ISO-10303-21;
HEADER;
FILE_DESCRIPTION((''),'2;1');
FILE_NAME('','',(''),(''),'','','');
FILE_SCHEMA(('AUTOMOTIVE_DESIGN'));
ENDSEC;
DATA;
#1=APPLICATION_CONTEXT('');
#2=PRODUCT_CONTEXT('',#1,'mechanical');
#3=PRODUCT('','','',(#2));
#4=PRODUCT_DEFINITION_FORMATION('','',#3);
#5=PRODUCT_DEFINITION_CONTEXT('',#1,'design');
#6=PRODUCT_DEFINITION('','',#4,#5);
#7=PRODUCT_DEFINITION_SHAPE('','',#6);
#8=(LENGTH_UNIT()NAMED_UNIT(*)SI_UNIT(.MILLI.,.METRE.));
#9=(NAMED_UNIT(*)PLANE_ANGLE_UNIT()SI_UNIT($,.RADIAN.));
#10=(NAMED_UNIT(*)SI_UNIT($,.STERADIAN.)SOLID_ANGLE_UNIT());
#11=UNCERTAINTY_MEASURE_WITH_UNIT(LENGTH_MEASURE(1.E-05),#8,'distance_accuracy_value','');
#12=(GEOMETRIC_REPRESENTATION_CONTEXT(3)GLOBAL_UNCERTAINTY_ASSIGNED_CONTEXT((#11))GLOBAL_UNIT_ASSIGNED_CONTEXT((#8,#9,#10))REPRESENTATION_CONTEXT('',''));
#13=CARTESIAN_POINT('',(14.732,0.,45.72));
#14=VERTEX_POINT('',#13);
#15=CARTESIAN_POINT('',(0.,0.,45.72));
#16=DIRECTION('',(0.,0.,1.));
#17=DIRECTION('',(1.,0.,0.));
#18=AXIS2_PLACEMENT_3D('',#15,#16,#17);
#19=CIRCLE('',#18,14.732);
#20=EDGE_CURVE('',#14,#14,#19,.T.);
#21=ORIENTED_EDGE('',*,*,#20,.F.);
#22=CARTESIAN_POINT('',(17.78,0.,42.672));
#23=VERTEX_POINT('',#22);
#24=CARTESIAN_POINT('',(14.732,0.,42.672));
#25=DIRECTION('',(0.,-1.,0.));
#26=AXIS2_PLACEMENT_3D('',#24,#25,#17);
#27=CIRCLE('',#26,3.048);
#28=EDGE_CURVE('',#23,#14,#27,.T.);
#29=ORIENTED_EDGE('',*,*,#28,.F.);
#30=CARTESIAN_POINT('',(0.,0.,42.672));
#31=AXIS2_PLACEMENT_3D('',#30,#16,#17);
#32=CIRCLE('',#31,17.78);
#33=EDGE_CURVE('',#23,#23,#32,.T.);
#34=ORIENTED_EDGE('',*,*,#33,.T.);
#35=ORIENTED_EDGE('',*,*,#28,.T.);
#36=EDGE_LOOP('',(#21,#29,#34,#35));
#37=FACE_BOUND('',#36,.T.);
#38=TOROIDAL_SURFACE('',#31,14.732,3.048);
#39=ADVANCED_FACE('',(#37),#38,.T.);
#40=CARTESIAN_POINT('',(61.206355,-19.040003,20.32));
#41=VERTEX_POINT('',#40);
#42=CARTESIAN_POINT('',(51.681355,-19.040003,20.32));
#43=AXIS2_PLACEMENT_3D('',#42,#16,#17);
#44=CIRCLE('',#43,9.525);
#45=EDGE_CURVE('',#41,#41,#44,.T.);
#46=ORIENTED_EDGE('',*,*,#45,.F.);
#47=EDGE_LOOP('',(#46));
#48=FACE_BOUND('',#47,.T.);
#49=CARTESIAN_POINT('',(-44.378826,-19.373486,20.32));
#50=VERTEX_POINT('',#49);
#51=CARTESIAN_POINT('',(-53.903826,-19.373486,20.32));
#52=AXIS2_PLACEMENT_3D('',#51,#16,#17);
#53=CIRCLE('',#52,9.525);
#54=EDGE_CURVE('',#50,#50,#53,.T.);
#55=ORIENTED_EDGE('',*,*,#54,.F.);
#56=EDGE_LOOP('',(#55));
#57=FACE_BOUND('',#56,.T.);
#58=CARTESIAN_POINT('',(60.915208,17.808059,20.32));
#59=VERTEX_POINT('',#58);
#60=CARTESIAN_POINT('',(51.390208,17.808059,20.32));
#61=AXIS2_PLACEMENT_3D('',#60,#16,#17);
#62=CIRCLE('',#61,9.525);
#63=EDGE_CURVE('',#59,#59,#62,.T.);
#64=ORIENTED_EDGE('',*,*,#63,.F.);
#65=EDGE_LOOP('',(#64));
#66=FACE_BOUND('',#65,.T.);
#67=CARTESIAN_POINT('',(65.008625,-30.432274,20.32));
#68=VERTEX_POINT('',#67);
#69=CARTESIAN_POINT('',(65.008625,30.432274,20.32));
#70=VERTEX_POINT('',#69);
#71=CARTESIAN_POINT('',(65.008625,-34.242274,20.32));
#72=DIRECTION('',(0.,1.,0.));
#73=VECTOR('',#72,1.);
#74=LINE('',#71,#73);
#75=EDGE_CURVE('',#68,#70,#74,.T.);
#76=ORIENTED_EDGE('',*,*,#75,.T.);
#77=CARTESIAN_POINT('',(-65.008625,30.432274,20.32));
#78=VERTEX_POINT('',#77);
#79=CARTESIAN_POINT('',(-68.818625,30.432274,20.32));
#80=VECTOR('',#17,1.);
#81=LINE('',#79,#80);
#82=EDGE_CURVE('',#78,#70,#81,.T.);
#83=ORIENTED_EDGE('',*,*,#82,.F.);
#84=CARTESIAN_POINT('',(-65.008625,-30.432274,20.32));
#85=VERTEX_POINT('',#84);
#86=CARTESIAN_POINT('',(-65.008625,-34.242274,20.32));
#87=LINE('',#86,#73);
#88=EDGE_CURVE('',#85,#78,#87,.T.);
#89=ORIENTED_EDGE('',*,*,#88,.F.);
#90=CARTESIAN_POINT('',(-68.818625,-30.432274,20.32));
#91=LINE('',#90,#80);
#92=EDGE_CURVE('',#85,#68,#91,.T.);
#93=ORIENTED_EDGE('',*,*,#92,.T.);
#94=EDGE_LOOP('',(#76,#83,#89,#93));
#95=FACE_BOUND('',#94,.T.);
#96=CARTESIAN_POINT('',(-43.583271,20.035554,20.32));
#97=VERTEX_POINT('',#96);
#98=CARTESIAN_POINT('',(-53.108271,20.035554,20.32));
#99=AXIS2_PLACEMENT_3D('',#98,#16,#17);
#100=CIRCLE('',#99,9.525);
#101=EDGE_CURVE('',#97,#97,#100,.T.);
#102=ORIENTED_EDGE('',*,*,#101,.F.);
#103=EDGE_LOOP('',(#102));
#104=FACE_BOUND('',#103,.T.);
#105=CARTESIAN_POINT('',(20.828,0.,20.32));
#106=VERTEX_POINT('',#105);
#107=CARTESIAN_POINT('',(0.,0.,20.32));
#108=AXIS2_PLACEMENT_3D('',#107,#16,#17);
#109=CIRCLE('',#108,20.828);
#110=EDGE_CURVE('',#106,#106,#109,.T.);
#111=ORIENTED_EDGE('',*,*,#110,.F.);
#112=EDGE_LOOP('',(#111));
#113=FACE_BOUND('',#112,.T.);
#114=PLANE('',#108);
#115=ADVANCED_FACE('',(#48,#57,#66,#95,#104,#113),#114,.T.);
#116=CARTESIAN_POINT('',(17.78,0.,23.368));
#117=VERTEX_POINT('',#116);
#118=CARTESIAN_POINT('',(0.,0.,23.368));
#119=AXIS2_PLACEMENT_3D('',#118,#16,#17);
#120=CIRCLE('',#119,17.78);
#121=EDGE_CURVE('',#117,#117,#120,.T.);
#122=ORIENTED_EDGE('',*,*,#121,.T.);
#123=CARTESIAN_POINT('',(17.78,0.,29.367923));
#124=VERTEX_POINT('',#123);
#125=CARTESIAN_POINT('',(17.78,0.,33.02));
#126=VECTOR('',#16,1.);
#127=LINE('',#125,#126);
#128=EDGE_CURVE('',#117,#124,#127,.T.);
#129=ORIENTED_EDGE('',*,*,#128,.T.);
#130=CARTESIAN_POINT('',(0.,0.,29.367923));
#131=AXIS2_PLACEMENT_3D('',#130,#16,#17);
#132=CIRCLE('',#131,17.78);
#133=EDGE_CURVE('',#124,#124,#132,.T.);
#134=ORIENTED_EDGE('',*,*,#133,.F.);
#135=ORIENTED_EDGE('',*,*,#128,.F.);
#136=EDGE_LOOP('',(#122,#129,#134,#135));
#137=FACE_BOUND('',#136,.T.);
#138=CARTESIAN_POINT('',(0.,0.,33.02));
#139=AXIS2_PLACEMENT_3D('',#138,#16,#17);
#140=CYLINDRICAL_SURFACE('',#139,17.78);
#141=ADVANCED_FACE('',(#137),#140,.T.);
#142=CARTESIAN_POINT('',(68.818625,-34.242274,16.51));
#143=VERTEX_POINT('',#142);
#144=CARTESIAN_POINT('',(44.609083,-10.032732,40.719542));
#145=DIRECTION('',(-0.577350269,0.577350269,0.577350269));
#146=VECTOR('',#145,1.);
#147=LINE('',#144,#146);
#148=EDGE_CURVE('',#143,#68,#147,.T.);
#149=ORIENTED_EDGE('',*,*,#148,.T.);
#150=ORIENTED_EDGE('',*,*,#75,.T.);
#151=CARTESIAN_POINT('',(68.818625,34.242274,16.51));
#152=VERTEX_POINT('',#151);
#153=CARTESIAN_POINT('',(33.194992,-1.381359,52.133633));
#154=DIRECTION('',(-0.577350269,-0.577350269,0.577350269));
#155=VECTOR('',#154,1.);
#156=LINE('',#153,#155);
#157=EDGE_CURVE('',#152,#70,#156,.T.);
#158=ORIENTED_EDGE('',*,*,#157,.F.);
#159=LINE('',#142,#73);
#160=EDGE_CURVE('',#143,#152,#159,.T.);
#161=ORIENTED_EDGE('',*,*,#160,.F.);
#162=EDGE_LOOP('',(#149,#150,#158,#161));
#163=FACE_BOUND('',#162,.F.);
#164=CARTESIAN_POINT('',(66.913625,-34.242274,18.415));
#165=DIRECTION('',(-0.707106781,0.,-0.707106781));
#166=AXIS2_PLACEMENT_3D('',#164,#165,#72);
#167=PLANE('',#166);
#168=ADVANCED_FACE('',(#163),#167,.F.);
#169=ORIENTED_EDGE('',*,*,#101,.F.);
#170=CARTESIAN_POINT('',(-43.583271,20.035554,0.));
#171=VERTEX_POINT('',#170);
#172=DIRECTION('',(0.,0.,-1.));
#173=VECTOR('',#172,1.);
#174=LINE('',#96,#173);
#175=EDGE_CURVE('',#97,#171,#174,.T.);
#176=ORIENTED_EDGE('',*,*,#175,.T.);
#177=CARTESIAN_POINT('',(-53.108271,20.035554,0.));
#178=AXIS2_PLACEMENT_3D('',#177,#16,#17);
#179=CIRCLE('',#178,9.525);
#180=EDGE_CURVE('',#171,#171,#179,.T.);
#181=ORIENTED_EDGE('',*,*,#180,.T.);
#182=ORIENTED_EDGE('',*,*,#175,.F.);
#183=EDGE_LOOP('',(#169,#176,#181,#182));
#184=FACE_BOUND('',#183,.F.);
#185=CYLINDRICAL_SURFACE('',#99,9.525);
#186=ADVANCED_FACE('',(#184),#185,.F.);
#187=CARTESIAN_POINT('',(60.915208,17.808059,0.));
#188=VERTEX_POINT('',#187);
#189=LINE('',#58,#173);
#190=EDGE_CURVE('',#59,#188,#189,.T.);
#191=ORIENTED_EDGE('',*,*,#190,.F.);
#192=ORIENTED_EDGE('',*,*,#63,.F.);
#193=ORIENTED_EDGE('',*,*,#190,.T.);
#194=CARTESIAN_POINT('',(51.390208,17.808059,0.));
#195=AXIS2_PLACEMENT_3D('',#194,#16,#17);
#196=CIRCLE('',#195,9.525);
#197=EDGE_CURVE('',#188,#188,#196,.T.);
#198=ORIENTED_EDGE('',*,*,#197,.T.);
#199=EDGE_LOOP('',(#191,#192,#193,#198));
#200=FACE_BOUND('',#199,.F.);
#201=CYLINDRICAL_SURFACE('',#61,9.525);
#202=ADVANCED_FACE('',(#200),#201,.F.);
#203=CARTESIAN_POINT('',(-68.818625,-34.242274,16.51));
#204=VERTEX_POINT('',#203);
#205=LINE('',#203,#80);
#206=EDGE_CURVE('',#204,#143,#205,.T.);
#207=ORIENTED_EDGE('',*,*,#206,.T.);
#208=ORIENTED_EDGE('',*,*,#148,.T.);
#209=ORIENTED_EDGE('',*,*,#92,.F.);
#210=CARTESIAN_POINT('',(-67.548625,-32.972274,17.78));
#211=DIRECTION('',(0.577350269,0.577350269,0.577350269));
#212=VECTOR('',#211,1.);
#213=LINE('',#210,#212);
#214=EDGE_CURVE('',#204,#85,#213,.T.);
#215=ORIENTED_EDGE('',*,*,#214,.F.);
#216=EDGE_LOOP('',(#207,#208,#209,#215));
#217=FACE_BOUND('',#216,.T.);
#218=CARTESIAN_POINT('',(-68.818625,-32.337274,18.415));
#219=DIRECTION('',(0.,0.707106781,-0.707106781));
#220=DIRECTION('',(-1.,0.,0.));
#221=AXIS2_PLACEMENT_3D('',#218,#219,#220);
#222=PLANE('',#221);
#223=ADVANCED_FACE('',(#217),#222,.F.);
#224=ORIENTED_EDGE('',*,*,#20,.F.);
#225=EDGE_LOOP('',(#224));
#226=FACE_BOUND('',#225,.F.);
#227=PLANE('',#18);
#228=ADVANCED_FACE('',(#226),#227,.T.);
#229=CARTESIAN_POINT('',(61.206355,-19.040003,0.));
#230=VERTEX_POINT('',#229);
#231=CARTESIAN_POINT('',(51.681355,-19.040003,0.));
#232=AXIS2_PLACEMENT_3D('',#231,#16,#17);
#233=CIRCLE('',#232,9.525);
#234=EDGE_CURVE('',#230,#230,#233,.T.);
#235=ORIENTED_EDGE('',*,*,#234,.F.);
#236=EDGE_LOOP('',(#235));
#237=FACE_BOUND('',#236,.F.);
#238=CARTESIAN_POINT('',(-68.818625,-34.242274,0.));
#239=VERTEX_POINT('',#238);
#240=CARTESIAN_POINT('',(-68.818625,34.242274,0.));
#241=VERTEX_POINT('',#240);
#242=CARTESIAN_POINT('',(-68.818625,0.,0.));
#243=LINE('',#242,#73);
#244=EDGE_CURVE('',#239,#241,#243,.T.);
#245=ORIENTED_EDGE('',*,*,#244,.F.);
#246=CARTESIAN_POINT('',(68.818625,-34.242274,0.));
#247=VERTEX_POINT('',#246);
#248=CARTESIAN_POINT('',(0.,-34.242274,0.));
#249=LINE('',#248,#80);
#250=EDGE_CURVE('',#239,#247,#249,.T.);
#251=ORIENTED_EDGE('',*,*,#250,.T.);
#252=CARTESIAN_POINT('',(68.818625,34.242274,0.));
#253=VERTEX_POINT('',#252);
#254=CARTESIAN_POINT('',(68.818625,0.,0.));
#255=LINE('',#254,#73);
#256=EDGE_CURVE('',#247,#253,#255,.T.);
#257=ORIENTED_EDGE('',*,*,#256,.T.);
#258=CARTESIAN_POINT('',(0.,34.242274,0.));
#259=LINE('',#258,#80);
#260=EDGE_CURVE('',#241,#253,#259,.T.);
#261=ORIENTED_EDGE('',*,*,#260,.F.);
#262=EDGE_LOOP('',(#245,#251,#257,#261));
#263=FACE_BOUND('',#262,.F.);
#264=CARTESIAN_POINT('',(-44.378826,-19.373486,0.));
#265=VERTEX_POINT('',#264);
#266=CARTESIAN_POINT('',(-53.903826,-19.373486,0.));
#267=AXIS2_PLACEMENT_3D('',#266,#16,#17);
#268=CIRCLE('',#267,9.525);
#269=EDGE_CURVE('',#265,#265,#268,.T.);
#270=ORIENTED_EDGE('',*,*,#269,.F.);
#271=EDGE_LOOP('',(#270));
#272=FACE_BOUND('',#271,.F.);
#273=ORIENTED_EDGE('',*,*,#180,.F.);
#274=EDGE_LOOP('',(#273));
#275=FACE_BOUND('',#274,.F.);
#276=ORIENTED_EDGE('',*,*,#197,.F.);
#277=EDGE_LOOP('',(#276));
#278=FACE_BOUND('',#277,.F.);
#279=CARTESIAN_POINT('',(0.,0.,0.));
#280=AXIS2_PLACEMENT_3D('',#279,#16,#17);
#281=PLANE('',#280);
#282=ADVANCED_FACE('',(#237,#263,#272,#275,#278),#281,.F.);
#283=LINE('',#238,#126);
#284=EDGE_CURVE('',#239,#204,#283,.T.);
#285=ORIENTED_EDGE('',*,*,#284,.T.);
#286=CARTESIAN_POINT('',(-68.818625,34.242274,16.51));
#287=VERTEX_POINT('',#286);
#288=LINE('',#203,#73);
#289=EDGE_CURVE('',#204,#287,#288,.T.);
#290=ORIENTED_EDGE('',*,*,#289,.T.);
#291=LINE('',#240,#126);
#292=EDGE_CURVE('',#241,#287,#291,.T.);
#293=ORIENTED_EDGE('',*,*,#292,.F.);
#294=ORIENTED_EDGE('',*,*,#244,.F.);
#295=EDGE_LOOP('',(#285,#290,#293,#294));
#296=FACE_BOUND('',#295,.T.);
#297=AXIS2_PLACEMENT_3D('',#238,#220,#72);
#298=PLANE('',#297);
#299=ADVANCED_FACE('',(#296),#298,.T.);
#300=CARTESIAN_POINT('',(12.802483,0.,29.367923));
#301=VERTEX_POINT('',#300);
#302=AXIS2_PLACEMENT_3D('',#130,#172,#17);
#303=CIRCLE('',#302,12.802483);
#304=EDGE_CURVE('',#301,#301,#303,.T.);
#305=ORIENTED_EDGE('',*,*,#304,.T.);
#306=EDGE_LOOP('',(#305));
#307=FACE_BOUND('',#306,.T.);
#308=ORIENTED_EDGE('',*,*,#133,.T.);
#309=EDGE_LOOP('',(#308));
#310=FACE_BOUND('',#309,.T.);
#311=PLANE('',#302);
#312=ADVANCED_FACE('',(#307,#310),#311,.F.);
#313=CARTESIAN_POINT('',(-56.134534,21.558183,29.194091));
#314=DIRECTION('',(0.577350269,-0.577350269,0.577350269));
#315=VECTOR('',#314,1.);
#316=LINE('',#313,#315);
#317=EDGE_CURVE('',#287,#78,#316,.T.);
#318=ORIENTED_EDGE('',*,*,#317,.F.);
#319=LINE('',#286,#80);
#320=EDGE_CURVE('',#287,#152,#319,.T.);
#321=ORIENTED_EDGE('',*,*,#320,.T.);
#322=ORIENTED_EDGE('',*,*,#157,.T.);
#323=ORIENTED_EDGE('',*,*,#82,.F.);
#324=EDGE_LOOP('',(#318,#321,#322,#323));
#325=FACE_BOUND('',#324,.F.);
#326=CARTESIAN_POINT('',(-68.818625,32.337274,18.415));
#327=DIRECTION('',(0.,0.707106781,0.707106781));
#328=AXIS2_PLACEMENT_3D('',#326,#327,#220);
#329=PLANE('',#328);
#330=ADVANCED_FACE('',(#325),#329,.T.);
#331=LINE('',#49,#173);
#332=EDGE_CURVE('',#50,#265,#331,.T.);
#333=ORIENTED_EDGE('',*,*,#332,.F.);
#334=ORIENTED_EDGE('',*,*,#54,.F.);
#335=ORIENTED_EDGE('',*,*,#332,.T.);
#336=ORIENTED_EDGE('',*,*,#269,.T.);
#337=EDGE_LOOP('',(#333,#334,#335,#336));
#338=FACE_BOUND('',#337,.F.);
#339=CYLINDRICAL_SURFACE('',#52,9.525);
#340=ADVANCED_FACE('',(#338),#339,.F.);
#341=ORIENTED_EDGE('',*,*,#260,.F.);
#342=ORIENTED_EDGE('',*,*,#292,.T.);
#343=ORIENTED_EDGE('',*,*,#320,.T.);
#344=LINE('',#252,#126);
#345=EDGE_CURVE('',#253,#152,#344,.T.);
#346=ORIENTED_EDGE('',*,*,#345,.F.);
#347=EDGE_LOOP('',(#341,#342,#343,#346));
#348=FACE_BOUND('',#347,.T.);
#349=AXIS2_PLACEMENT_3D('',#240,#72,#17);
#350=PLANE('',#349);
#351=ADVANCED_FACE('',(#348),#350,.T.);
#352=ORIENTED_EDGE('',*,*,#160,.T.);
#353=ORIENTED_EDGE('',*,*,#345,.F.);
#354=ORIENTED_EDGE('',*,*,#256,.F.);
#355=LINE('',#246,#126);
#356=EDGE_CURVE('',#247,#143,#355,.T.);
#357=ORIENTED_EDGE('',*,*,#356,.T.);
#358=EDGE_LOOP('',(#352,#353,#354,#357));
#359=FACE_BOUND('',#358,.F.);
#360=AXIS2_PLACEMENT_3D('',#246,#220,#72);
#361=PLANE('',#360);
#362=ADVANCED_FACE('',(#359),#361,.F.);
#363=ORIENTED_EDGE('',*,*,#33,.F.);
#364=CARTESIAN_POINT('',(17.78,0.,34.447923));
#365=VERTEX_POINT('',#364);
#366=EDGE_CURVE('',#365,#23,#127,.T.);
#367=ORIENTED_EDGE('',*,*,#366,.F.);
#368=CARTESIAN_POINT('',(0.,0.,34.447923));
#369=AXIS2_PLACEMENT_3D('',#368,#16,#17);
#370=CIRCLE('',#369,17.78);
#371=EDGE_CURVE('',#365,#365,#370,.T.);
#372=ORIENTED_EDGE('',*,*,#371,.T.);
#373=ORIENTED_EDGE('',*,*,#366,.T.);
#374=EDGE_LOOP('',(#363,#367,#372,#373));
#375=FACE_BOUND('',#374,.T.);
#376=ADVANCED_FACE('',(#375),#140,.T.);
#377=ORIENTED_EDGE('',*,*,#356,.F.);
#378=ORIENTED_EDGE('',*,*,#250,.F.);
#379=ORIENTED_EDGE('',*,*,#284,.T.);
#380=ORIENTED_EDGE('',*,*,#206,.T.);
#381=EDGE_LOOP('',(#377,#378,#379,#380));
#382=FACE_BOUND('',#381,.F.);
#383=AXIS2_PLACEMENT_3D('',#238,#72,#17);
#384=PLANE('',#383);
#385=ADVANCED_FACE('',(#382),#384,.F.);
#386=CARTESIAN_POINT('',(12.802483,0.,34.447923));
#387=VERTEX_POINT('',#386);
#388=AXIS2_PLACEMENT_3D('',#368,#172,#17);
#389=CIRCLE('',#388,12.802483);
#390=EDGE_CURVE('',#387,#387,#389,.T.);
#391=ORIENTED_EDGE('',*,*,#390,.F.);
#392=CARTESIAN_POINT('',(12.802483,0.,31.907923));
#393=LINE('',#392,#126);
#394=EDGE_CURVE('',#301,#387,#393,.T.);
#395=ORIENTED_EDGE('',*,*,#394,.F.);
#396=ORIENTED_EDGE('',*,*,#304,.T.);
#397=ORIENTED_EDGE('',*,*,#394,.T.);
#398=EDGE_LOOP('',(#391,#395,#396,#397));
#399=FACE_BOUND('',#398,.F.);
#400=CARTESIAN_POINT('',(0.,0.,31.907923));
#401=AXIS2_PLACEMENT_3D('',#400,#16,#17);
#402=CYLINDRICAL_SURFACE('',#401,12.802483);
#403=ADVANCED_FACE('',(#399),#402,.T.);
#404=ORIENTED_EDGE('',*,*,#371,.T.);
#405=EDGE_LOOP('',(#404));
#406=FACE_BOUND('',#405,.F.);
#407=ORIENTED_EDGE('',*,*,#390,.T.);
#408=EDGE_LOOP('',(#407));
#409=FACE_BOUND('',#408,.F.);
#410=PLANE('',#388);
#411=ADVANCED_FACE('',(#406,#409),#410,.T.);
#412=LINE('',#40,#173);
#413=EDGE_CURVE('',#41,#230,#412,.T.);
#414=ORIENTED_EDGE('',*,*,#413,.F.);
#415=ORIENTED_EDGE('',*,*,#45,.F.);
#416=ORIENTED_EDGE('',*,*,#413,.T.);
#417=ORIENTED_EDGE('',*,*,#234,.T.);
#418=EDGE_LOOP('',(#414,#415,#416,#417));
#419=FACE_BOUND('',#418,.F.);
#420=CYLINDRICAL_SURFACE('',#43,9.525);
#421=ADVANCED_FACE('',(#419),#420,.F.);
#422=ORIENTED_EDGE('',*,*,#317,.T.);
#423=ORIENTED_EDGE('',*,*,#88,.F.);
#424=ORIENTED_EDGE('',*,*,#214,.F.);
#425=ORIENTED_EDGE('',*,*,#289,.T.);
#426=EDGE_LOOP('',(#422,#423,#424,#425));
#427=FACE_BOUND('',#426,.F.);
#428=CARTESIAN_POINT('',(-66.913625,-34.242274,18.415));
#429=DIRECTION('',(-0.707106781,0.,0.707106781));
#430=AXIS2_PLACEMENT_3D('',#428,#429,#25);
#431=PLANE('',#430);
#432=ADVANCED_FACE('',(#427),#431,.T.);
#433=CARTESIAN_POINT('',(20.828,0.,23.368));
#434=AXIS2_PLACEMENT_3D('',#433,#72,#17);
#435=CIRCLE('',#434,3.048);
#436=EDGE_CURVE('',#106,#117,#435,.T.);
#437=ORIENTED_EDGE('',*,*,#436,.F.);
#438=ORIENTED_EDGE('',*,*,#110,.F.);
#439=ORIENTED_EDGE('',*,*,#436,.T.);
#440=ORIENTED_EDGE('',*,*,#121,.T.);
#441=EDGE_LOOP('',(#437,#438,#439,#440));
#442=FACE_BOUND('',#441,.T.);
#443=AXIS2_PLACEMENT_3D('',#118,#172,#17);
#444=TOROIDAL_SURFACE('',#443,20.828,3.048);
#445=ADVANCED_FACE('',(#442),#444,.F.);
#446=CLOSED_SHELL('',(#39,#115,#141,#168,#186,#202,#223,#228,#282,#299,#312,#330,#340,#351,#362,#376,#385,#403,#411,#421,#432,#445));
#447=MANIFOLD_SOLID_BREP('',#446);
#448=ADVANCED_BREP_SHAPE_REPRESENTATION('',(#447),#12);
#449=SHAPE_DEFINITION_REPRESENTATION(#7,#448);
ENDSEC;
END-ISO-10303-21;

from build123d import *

# Parameters (mm, degrees)
F0_W     = 137.63725
F0_H     = 68.484548
F1_DEPTH = 20.32
F2_R     = 9.525
F3_DEPTH = 25.4
F4_W     = 17.78
F4_H     = 25.4
F6_W     = 5.08
F6_H     = 5.08
F8_SIZE  = 3.81
F9_R     = 3.048


with BuildPart() as f1:
    # F0 (on Top) → F1 (new body)
    with BuildSketch(Plane.XY):
        Rectangle(F0_W, F0_H)
    extrude(amount=F1_DEPTH)

    # F2 (on face) → F3 (cut)
    with BuildSketch(Plane.XY.offset(20.32)):
        with Locations((51.390208, 17.808059)):
            Circle(F2_R)
        with Locations((-53.108271, 20.035554)):
            Circle(F2_R)
        with Locations((-53.903826, -19.373486)):
            Circle(F2_R)
        with Locations((51.681355, -19.040003)):
            Circle(F2_R)
    extrude(amount=-F3_DEPTH, mode=Mode.SUBTRACT)

    # F4 (on Front) → F5 (revolve)
    with BuildSketch(Plane.XZ):
        with Locations((8.89, 33.02)):
            Rectangle(F4_W, F4_H)
    revolve(axis=Axis((0, 0, 33.02), (0, 0, 1)))

    # F6 (on Front) → F7 (revolve, cut)
    with BuildSketch(Plane.XZ):
        with Locations((15.342483, 31.907923)):
            Rectangle(F6_W, F6_H)
    revolve(axis=Axis((0, 0, 43.360371), (0, 0, -1)), mode=Mode.SUBTRACT)

    # F8
    f8_edges = [f1.edges().sort_by_distance(p)[0] for p in [
        (0, -34.242274, 20.32),
        (0, 34.242274, 20.32),
        (68.818625, 0, 20.32),
        (-68.818625, 0, 20.32),
    ]]
    chamfer(f8_edges, length=F8_SIZE)

    # F9
    f9_edges = [f1.edges().sort_by_distance(p)[0] for p in [
        (-17.78, 0, 45.72),
        (-17.78, 0, 20.32),
    ]]
    fillet(f9_edges, radius=F9_R)


solid = f1.part
